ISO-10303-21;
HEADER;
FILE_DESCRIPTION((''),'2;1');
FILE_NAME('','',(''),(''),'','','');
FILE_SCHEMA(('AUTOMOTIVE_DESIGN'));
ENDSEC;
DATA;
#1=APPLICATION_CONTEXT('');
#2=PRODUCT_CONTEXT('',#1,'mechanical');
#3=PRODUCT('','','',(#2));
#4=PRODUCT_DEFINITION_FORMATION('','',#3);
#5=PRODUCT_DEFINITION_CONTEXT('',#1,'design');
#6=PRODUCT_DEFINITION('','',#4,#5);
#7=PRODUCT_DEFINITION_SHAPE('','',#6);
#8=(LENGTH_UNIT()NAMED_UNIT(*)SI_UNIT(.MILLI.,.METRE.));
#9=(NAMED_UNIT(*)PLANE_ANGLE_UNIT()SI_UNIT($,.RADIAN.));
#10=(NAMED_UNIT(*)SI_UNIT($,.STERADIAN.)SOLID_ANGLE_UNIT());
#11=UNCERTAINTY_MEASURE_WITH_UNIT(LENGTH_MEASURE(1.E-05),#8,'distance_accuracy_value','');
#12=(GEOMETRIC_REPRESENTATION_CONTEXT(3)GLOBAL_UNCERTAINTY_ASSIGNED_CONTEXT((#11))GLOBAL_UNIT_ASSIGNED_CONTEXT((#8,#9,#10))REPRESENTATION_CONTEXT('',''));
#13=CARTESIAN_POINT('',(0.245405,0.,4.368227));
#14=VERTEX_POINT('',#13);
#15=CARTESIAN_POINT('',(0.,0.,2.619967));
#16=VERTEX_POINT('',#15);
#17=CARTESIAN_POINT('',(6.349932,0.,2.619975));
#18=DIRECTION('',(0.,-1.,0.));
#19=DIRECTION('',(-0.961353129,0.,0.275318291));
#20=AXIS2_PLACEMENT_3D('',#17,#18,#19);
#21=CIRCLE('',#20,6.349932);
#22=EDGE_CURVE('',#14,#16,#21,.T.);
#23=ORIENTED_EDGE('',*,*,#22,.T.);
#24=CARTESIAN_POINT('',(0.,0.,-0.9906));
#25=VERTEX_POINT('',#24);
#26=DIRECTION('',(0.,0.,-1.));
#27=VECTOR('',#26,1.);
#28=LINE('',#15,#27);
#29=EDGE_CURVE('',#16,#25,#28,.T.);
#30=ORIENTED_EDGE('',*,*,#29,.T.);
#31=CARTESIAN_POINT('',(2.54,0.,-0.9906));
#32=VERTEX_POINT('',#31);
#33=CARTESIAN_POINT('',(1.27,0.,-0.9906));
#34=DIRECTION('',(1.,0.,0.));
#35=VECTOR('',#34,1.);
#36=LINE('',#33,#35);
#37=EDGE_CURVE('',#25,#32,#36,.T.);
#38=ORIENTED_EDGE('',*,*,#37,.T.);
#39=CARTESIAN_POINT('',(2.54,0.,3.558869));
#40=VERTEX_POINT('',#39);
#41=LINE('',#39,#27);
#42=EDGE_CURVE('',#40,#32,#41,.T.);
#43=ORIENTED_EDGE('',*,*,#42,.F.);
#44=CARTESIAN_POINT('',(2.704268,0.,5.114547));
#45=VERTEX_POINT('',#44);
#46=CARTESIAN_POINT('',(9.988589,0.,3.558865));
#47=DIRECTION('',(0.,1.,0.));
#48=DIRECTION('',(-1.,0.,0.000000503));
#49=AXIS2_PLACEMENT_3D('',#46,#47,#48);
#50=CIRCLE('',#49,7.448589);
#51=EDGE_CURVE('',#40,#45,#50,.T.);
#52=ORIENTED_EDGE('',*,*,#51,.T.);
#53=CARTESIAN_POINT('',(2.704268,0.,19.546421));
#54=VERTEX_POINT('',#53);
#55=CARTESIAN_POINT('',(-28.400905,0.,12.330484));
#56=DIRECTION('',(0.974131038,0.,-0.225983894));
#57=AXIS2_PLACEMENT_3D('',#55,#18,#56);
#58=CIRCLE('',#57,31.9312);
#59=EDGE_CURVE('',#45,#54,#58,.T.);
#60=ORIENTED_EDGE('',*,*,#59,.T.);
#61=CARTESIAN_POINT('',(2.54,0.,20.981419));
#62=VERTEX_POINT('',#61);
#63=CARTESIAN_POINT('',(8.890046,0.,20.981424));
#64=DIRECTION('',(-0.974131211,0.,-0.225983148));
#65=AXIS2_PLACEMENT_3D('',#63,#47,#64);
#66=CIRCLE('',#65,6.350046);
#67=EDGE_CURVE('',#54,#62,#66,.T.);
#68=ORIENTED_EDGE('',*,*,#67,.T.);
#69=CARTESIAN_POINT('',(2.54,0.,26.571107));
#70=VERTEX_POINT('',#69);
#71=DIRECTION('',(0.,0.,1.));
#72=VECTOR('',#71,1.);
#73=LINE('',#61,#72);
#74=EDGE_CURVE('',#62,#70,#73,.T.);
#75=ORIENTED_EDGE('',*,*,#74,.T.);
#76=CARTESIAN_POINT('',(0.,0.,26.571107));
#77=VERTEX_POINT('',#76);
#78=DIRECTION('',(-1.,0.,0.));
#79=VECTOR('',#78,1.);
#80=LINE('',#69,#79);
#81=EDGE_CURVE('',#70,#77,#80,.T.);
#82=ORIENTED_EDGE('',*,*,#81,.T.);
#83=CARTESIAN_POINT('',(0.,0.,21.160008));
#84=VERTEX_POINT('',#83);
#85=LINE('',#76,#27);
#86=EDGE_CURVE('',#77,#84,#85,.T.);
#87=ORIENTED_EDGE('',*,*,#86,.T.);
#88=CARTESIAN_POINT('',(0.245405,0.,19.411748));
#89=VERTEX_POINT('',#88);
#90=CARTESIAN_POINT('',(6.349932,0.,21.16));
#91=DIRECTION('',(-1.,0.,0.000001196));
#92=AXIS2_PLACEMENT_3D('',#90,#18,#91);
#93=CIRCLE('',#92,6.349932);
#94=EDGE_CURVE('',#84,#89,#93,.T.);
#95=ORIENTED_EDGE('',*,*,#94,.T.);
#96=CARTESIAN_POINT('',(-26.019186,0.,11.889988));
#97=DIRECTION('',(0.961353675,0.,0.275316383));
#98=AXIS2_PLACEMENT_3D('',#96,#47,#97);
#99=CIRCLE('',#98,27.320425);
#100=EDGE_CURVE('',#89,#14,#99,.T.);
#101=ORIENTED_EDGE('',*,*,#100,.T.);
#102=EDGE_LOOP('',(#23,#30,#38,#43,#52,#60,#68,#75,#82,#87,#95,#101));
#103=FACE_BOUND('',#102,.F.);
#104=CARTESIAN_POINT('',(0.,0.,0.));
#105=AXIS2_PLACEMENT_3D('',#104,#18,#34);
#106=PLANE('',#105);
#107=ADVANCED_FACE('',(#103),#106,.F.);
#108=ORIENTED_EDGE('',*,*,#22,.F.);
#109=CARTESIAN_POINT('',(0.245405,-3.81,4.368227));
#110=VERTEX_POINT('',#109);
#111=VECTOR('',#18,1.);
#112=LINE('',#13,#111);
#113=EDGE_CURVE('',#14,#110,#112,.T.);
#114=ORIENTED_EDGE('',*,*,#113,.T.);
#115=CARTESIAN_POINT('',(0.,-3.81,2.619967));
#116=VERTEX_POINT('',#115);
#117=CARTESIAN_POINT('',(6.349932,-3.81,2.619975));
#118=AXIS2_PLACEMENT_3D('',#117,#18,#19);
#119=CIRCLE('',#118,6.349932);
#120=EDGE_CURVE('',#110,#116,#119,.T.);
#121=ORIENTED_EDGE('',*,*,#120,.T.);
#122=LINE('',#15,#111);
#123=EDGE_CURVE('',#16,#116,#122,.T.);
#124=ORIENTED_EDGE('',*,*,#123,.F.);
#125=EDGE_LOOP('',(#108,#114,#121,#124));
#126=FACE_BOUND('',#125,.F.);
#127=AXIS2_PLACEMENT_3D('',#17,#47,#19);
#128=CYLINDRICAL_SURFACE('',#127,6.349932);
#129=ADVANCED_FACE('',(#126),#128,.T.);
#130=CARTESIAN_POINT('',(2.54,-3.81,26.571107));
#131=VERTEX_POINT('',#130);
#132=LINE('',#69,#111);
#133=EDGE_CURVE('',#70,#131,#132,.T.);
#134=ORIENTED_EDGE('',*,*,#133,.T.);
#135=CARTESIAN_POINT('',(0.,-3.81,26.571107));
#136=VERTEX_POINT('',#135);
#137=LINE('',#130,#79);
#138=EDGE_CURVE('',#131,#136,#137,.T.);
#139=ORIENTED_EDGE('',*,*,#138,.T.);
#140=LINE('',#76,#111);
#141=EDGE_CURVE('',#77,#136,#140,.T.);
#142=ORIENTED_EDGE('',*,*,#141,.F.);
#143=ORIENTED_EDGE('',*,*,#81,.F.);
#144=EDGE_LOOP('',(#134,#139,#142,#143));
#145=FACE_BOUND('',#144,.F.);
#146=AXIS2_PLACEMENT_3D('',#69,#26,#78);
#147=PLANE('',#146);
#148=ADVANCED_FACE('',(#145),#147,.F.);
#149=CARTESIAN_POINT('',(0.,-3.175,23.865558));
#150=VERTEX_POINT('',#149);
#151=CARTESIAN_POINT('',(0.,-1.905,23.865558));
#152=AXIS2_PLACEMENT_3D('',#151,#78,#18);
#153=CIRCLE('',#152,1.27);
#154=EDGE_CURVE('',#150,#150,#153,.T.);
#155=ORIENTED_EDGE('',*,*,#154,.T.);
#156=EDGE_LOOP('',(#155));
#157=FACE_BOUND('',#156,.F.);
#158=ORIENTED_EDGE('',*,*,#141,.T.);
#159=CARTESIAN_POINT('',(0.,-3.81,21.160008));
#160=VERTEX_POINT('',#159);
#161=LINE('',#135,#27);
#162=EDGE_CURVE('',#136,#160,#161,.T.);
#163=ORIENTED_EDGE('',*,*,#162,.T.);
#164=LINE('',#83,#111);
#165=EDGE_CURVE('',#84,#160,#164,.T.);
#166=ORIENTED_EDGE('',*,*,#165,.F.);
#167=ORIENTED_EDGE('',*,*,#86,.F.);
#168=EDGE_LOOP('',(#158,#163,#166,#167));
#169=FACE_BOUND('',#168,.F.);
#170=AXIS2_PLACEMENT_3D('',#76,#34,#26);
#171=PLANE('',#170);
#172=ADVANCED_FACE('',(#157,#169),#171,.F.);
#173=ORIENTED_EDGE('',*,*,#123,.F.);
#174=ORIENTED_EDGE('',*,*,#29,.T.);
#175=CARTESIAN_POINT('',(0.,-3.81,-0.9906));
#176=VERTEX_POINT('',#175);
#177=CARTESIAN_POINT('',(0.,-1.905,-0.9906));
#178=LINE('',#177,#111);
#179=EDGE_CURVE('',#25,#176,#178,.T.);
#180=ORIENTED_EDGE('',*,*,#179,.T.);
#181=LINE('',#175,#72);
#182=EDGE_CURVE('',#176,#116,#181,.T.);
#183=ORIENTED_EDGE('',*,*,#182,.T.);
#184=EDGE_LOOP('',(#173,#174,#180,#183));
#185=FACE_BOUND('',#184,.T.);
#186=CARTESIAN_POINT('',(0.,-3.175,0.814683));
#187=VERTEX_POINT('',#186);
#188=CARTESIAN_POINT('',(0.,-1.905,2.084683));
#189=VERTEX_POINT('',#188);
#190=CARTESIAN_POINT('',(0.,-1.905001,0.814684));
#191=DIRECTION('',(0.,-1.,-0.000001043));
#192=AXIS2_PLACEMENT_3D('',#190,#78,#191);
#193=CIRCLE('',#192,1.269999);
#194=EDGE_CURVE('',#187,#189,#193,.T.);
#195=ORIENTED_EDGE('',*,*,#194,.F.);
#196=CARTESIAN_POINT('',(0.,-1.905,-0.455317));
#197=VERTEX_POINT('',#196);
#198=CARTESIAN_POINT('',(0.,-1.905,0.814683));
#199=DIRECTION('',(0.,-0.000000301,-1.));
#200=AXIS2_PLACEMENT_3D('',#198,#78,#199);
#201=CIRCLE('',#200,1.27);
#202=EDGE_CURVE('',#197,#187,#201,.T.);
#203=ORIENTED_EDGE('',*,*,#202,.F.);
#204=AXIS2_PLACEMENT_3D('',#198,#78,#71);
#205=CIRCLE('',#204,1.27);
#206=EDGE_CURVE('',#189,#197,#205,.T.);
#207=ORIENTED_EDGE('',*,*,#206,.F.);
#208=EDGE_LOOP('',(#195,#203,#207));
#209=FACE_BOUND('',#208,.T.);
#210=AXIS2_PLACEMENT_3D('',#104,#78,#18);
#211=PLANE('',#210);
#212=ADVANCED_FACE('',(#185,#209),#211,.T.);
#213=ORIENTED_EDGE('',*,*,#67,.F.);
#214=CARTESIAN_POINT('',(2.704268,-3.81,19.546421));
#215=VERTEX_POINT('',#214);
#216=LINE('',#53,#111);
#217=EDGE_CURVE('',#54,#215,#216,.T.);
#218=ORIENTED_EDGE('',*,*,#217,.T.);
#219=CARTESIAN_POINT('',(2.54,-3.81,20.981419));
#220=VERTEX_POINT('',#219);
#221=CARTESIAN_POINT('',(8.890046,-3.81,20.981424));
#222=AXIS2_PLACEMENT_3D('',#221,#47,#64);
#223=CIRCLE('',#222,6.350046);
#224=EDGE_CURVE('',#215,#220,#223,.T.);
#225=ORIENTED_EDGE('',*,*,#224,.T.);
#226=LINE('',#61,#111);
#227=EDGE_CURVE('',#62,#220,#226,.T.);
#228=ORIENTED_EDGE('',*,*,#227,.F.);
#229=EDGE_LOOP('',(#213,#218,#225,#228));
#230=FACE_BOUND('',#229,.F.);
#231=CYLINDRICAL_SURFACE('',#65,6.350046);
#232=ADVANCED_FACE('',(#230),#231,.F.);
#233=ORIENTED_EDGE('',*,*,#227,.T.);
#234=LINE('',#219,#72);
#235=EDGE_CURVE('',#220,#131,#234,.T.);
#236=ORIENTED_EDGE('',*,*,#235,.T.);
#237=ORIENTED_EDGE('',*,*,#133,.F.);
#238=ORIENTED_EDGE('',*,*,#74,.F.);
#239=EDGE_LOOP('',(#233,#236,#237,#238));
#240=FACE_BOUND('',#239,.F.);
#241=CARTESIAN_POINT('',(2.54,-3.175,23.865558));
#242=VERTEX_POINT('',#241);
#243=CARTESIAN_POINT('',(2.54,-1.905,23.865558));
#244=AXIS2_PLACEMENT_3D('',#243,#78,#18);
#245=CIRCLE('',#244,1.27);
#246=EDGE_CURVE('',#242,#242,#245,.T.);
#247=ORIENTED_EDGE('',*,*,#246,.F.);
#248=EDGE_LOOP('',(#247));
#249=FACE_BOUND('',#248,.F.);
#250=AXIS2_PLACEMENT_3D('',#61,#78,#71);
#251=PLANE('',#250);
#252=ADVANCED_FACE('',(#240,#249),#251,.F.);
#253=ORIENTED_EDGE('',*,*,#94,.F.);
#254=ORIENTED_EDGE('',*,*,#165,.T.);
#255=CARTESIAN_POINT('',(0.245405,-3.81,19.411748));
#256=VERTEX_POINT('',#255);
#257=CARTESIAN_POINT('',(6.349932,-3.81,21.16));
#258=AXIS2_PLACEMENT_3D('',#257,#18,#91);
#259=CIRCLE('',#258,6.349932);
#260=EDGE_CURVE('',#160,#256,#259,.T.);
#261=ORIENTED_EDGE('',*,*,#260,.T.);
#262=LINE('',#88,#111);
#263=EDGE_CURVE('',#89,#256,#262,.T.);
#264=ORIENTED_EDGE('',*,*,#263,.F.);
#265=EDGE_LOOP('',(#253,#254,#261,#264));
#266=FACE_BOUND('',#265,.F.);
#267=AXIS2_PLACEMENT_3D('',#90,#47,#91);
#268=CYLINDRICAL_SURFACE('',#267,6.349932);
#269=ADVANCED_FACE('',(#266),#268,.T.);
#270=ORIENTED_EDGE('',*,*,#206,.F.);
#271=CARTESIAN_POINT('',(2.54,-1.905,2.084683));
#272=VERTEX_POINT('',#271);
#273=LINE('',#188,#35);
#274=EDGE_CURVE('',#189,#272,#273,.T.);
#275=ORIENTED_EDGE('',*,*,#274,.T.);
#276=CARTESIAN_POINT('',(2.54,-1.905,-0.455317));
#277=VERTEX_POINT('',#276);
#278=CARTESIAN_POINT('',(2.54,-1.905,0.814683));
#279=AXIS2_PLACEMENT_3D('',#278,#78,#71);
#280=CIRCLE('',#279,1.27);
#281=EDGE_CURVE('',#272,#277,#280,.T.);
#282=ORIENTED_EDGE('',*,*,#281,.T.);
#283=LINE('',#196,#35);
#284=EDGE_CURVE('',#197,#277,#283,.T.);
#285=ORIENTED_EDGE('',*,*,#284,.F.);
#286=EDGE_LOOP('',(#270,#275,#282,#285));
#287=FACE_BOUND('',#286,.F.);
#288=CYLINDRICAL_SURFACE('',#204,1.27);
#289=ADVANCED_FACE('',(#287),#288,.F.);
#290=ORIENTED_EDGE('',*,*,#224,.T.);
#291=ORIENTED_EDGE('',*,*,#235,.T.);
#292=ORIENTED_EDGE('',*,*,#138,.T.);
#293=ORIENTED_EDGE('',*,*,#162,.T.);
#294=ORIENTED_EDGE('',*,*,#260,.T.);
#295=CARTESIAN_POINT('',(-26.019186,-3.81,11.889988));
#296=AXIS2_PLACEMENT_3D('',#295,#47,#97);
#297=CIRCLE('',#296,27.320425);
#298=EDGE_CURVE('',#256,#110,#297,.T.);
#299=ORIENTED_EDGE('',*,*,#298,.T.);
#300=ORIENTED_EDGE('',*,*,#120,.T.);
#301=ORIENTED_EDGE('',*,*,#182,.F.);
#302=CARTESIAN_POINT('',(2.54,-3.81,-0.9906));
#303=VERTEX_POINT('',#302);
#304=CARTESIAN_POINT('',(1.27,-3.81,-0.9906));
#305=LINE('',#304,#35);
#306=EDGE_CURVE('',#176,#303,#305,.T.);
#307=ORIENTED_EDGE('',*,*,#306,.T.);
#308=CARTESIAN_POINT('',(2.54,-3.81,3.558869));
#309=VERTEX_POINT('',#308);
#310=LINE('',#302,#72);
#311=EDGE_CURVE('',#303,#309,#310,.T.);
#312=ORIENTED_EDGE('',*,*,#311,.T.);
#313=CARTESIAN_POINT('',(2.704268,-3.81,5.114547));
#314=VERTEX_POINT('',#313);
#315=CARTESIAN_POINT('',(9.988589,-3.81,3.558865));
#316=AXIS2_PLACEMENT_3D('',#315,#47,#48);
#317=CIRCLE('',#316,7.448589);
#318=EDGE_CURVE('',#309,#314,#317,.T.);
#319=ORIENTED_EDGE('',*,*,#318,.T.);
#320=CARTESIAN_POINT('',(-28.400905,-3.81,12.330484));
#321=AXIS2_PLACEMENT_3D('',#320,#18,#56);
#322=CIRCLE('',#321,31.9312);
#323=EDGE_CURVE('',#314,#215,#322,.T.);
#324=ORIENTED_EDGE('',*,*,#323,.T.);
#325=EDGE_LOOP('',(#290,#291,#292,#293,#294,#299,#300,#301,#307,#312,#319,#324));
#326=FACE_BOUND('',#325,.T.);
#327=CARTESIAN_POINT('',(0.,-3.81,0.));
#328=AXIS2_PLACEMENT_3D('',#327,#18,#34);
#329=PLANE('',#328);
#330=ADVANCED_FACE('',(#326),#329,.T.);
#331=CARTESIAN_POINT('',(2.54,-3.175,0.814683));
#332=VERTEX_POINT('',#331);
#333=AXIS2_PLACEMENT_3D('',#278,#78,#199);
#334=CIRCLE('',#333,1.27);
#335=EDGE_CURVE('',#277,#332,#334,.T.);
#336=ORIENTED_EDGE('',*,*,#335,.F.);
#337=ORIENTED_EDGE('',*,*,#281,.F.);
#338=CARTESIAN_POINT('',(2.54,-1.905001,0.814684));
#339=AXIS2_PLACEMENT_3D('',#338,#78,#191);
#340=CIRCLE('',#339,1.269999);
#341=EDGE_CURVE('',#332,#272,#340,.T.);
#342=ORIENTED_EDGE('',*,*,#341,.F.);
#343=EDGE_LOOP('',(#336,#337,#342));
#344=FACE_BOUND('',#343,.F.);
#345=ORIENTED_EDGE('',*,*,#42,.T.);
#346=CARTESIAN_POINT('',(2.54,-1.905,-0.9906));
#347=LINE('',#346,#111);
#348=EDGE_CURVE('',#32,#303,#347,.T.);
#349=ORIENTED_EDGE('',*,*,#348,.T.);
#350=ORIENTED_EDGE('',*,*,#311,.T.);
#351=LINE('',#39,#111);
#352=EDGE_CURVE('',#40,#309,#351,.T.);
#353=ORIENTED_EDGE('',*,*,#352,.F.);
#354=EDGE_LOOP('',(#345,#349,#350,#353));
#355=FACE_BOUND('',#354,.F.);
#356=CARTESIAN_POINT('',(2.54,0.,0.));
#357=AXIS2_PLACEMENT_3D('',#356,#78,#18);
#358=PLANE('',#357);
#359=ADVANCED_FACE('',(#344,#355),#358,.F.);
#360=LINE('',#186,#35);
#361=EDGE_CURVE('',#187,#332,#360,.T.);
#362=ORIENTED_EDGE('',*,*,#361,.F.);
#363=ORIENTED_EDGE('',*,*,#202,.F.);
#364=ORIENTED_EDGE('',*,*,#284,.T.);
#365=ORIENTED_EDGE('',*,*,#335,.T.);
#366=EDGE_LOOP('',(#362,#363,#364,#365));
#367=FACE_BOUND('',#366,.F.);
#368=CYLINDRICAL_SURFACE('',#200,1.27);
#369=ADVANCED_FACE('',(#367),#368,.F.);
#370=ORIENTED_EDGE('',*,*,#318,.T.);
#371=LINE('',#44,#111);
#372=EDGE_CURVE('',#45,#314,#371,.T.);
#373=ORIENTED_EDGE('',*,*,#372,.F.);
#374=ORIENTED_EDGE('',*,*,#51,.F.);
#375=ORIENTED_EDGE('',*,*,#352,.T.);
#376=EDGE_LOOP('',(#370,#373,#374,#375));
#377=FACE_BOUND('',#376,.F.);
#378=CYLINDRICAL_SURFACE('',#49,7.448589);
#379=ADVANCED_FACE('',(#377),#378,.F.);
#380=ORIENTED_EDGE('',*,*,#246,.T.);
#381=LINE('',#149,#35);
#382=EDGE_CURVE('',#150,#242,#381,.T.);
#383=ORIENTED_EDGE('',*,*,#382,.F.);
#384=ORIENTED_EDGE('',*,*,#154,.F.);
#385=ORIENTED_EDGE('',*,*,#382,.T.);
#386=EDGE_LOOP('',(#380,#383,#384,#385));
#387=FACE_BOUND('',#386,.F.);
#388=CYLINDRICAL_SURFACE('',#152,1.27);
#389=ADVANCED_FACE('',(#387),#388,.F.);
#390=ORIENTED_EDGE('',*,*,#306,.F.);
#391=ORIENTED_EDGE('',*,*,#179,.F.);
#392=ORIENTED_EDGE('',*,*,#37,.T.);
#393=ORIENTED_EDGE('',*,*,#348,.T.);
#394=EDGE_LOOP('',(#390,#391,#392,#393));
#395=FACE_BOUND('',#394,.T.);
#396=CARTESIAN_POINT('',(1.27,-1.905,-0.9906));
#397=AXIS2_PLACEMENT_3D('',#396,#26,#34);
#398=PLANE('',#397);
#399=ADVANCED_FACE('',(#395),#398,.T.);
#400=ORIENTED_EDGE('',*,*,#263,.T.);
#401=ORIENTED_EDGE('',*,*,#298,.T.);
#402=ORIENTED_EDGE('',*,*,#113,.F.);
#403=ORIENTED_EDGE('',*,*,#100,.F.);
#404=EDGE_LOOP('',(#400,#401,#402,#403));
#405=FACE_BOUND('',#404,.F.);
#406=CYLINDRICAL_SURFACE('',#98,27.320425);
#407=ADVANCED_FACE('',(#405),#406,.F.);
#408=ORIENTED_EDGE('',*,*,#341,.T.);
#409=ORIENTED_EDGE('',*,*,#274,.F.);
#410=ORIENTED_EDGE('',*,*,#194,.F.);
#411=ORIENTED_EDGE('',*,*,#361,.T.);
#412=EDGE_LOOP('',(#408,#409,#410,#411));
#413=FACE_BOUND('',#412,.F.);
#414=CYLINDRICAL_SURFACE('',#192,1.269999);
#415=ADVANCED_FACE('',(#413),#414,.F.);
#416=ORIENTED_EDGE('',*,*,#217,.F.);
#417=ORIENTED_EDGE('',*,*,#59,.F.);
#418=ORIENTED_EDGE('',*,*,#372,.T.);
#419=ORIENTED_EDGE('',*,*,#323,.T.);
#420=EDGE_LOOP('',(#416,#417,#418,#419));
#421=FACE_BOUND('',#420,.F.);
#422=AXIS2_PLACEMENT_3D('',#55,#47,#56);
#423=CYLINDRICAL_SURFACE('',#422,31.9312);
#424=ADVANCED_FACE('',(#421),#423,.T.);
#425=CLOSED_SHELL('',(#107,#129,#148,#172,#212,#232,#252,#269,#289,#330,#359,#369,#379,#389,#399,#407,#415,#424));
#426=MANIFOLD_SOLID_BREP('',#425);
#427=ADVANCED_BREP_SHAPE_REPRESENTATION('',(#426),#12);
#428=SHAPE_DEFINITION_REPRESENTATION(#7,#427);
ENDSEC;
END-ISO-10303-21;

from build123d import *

# Parameters (mm, degrees)
F1_DEPTH = 3.81
F2_R     = 1.27
F3_DEPTH = 10.668
F4_W     = 2.54
F4_H     = 3.81
F5_DEPTH = 0.9906
F7_DEPTH = 25.4


with BuildPart() as f1:
    # F0 (on Front) → F1 (new body)
    with BuildSketch(Plane.XZ):
        with BuildLine():
            Line((0, 2.619967), (0, 0))
            Line((0, 0), (2.54, 0))
            Line((2.54, 0), (2.54, 3.558869))
            ThreePointArc((2.54, 3.558869), (2.581181, 4.341032), (2.704268, 5.114547))
            ThreePointArc((2.704268, 5.114547), (3.530295, 12.330484), (2.704268, 19.546421))
            ThreePointArc((2.704268, 19.546421), (2.581201, 20.259234), (2.54, 20.981419))
            Line((2.54, 20.981419), (2.54, 26.571107))
            Line((2.54, 26.571107), (0, 26.571107))
            Line((0, 26.571107), (0, 21.160008))
            ThreePointArc((0, 21.160008), (0.06165, 20.277308), (0.245405, 19.411748))
            ThreePointArc((0.245405, 19.411748), (1.301239, 11.889988), (0.245405, 4.368227))
            ThreePointArc((0.245405, 4.368227), (0.06165, 3.502667), (0, 2.619967))
        make_face()
    extrude(amount=F1_DEPTH)

    # F2 (on face) → F3 (cut)
    with BuildSketch(Plane(origin=(0, 0, 0), x_dir=(0, -1, 0), z_dir=(-1, 0, 0))):
        with Locations((1.905, 23.865558)):
            Circle(F2_R)
    extrude(amount=-F3_DEPTH, mode=Mode.SUBTRACT)

    # F4 (on face) → F5 (join)
    with BuildSketch(Plane(origin=(0, 0, 0), x_dir=(1, 0, 0), z_dir=(0, 0, -1))):
        with Locations((1.27, 1.905)):
            Rectangle(F4_W, F4_H)
    extrude(amount=F5_DEPTH)

    # F6 (on face) → F7 (cut)
    with BuildSketch(Plane(origin=(0, 0, 0), x_dir=(0, -1, 0), z_dir=(-1, 0, 0))):
        with BuildLine():
            ThreePointArc((3.175, 0.814683), (2.803026, 1.712709), (1.905, 2.084683))
            Line((1.905, 2.084683), (1.905, -0.455317))
            ThreePointArc((1.905, -0.455317), (2.803026, -0.083342), (3.175, 0.814683))
        make_face()
        with BuildLine():
            Line((1.905, -0.455317), (1.905, 2.084683))
            ThreePointArc((1.905, 2.084683), (0.635, 0.814683), (1.905, -0.455317))
        make_face()
    extrude(amount=-F7_DEPTH, mode=Mode.SUBTRACT)


solid = f1.part
